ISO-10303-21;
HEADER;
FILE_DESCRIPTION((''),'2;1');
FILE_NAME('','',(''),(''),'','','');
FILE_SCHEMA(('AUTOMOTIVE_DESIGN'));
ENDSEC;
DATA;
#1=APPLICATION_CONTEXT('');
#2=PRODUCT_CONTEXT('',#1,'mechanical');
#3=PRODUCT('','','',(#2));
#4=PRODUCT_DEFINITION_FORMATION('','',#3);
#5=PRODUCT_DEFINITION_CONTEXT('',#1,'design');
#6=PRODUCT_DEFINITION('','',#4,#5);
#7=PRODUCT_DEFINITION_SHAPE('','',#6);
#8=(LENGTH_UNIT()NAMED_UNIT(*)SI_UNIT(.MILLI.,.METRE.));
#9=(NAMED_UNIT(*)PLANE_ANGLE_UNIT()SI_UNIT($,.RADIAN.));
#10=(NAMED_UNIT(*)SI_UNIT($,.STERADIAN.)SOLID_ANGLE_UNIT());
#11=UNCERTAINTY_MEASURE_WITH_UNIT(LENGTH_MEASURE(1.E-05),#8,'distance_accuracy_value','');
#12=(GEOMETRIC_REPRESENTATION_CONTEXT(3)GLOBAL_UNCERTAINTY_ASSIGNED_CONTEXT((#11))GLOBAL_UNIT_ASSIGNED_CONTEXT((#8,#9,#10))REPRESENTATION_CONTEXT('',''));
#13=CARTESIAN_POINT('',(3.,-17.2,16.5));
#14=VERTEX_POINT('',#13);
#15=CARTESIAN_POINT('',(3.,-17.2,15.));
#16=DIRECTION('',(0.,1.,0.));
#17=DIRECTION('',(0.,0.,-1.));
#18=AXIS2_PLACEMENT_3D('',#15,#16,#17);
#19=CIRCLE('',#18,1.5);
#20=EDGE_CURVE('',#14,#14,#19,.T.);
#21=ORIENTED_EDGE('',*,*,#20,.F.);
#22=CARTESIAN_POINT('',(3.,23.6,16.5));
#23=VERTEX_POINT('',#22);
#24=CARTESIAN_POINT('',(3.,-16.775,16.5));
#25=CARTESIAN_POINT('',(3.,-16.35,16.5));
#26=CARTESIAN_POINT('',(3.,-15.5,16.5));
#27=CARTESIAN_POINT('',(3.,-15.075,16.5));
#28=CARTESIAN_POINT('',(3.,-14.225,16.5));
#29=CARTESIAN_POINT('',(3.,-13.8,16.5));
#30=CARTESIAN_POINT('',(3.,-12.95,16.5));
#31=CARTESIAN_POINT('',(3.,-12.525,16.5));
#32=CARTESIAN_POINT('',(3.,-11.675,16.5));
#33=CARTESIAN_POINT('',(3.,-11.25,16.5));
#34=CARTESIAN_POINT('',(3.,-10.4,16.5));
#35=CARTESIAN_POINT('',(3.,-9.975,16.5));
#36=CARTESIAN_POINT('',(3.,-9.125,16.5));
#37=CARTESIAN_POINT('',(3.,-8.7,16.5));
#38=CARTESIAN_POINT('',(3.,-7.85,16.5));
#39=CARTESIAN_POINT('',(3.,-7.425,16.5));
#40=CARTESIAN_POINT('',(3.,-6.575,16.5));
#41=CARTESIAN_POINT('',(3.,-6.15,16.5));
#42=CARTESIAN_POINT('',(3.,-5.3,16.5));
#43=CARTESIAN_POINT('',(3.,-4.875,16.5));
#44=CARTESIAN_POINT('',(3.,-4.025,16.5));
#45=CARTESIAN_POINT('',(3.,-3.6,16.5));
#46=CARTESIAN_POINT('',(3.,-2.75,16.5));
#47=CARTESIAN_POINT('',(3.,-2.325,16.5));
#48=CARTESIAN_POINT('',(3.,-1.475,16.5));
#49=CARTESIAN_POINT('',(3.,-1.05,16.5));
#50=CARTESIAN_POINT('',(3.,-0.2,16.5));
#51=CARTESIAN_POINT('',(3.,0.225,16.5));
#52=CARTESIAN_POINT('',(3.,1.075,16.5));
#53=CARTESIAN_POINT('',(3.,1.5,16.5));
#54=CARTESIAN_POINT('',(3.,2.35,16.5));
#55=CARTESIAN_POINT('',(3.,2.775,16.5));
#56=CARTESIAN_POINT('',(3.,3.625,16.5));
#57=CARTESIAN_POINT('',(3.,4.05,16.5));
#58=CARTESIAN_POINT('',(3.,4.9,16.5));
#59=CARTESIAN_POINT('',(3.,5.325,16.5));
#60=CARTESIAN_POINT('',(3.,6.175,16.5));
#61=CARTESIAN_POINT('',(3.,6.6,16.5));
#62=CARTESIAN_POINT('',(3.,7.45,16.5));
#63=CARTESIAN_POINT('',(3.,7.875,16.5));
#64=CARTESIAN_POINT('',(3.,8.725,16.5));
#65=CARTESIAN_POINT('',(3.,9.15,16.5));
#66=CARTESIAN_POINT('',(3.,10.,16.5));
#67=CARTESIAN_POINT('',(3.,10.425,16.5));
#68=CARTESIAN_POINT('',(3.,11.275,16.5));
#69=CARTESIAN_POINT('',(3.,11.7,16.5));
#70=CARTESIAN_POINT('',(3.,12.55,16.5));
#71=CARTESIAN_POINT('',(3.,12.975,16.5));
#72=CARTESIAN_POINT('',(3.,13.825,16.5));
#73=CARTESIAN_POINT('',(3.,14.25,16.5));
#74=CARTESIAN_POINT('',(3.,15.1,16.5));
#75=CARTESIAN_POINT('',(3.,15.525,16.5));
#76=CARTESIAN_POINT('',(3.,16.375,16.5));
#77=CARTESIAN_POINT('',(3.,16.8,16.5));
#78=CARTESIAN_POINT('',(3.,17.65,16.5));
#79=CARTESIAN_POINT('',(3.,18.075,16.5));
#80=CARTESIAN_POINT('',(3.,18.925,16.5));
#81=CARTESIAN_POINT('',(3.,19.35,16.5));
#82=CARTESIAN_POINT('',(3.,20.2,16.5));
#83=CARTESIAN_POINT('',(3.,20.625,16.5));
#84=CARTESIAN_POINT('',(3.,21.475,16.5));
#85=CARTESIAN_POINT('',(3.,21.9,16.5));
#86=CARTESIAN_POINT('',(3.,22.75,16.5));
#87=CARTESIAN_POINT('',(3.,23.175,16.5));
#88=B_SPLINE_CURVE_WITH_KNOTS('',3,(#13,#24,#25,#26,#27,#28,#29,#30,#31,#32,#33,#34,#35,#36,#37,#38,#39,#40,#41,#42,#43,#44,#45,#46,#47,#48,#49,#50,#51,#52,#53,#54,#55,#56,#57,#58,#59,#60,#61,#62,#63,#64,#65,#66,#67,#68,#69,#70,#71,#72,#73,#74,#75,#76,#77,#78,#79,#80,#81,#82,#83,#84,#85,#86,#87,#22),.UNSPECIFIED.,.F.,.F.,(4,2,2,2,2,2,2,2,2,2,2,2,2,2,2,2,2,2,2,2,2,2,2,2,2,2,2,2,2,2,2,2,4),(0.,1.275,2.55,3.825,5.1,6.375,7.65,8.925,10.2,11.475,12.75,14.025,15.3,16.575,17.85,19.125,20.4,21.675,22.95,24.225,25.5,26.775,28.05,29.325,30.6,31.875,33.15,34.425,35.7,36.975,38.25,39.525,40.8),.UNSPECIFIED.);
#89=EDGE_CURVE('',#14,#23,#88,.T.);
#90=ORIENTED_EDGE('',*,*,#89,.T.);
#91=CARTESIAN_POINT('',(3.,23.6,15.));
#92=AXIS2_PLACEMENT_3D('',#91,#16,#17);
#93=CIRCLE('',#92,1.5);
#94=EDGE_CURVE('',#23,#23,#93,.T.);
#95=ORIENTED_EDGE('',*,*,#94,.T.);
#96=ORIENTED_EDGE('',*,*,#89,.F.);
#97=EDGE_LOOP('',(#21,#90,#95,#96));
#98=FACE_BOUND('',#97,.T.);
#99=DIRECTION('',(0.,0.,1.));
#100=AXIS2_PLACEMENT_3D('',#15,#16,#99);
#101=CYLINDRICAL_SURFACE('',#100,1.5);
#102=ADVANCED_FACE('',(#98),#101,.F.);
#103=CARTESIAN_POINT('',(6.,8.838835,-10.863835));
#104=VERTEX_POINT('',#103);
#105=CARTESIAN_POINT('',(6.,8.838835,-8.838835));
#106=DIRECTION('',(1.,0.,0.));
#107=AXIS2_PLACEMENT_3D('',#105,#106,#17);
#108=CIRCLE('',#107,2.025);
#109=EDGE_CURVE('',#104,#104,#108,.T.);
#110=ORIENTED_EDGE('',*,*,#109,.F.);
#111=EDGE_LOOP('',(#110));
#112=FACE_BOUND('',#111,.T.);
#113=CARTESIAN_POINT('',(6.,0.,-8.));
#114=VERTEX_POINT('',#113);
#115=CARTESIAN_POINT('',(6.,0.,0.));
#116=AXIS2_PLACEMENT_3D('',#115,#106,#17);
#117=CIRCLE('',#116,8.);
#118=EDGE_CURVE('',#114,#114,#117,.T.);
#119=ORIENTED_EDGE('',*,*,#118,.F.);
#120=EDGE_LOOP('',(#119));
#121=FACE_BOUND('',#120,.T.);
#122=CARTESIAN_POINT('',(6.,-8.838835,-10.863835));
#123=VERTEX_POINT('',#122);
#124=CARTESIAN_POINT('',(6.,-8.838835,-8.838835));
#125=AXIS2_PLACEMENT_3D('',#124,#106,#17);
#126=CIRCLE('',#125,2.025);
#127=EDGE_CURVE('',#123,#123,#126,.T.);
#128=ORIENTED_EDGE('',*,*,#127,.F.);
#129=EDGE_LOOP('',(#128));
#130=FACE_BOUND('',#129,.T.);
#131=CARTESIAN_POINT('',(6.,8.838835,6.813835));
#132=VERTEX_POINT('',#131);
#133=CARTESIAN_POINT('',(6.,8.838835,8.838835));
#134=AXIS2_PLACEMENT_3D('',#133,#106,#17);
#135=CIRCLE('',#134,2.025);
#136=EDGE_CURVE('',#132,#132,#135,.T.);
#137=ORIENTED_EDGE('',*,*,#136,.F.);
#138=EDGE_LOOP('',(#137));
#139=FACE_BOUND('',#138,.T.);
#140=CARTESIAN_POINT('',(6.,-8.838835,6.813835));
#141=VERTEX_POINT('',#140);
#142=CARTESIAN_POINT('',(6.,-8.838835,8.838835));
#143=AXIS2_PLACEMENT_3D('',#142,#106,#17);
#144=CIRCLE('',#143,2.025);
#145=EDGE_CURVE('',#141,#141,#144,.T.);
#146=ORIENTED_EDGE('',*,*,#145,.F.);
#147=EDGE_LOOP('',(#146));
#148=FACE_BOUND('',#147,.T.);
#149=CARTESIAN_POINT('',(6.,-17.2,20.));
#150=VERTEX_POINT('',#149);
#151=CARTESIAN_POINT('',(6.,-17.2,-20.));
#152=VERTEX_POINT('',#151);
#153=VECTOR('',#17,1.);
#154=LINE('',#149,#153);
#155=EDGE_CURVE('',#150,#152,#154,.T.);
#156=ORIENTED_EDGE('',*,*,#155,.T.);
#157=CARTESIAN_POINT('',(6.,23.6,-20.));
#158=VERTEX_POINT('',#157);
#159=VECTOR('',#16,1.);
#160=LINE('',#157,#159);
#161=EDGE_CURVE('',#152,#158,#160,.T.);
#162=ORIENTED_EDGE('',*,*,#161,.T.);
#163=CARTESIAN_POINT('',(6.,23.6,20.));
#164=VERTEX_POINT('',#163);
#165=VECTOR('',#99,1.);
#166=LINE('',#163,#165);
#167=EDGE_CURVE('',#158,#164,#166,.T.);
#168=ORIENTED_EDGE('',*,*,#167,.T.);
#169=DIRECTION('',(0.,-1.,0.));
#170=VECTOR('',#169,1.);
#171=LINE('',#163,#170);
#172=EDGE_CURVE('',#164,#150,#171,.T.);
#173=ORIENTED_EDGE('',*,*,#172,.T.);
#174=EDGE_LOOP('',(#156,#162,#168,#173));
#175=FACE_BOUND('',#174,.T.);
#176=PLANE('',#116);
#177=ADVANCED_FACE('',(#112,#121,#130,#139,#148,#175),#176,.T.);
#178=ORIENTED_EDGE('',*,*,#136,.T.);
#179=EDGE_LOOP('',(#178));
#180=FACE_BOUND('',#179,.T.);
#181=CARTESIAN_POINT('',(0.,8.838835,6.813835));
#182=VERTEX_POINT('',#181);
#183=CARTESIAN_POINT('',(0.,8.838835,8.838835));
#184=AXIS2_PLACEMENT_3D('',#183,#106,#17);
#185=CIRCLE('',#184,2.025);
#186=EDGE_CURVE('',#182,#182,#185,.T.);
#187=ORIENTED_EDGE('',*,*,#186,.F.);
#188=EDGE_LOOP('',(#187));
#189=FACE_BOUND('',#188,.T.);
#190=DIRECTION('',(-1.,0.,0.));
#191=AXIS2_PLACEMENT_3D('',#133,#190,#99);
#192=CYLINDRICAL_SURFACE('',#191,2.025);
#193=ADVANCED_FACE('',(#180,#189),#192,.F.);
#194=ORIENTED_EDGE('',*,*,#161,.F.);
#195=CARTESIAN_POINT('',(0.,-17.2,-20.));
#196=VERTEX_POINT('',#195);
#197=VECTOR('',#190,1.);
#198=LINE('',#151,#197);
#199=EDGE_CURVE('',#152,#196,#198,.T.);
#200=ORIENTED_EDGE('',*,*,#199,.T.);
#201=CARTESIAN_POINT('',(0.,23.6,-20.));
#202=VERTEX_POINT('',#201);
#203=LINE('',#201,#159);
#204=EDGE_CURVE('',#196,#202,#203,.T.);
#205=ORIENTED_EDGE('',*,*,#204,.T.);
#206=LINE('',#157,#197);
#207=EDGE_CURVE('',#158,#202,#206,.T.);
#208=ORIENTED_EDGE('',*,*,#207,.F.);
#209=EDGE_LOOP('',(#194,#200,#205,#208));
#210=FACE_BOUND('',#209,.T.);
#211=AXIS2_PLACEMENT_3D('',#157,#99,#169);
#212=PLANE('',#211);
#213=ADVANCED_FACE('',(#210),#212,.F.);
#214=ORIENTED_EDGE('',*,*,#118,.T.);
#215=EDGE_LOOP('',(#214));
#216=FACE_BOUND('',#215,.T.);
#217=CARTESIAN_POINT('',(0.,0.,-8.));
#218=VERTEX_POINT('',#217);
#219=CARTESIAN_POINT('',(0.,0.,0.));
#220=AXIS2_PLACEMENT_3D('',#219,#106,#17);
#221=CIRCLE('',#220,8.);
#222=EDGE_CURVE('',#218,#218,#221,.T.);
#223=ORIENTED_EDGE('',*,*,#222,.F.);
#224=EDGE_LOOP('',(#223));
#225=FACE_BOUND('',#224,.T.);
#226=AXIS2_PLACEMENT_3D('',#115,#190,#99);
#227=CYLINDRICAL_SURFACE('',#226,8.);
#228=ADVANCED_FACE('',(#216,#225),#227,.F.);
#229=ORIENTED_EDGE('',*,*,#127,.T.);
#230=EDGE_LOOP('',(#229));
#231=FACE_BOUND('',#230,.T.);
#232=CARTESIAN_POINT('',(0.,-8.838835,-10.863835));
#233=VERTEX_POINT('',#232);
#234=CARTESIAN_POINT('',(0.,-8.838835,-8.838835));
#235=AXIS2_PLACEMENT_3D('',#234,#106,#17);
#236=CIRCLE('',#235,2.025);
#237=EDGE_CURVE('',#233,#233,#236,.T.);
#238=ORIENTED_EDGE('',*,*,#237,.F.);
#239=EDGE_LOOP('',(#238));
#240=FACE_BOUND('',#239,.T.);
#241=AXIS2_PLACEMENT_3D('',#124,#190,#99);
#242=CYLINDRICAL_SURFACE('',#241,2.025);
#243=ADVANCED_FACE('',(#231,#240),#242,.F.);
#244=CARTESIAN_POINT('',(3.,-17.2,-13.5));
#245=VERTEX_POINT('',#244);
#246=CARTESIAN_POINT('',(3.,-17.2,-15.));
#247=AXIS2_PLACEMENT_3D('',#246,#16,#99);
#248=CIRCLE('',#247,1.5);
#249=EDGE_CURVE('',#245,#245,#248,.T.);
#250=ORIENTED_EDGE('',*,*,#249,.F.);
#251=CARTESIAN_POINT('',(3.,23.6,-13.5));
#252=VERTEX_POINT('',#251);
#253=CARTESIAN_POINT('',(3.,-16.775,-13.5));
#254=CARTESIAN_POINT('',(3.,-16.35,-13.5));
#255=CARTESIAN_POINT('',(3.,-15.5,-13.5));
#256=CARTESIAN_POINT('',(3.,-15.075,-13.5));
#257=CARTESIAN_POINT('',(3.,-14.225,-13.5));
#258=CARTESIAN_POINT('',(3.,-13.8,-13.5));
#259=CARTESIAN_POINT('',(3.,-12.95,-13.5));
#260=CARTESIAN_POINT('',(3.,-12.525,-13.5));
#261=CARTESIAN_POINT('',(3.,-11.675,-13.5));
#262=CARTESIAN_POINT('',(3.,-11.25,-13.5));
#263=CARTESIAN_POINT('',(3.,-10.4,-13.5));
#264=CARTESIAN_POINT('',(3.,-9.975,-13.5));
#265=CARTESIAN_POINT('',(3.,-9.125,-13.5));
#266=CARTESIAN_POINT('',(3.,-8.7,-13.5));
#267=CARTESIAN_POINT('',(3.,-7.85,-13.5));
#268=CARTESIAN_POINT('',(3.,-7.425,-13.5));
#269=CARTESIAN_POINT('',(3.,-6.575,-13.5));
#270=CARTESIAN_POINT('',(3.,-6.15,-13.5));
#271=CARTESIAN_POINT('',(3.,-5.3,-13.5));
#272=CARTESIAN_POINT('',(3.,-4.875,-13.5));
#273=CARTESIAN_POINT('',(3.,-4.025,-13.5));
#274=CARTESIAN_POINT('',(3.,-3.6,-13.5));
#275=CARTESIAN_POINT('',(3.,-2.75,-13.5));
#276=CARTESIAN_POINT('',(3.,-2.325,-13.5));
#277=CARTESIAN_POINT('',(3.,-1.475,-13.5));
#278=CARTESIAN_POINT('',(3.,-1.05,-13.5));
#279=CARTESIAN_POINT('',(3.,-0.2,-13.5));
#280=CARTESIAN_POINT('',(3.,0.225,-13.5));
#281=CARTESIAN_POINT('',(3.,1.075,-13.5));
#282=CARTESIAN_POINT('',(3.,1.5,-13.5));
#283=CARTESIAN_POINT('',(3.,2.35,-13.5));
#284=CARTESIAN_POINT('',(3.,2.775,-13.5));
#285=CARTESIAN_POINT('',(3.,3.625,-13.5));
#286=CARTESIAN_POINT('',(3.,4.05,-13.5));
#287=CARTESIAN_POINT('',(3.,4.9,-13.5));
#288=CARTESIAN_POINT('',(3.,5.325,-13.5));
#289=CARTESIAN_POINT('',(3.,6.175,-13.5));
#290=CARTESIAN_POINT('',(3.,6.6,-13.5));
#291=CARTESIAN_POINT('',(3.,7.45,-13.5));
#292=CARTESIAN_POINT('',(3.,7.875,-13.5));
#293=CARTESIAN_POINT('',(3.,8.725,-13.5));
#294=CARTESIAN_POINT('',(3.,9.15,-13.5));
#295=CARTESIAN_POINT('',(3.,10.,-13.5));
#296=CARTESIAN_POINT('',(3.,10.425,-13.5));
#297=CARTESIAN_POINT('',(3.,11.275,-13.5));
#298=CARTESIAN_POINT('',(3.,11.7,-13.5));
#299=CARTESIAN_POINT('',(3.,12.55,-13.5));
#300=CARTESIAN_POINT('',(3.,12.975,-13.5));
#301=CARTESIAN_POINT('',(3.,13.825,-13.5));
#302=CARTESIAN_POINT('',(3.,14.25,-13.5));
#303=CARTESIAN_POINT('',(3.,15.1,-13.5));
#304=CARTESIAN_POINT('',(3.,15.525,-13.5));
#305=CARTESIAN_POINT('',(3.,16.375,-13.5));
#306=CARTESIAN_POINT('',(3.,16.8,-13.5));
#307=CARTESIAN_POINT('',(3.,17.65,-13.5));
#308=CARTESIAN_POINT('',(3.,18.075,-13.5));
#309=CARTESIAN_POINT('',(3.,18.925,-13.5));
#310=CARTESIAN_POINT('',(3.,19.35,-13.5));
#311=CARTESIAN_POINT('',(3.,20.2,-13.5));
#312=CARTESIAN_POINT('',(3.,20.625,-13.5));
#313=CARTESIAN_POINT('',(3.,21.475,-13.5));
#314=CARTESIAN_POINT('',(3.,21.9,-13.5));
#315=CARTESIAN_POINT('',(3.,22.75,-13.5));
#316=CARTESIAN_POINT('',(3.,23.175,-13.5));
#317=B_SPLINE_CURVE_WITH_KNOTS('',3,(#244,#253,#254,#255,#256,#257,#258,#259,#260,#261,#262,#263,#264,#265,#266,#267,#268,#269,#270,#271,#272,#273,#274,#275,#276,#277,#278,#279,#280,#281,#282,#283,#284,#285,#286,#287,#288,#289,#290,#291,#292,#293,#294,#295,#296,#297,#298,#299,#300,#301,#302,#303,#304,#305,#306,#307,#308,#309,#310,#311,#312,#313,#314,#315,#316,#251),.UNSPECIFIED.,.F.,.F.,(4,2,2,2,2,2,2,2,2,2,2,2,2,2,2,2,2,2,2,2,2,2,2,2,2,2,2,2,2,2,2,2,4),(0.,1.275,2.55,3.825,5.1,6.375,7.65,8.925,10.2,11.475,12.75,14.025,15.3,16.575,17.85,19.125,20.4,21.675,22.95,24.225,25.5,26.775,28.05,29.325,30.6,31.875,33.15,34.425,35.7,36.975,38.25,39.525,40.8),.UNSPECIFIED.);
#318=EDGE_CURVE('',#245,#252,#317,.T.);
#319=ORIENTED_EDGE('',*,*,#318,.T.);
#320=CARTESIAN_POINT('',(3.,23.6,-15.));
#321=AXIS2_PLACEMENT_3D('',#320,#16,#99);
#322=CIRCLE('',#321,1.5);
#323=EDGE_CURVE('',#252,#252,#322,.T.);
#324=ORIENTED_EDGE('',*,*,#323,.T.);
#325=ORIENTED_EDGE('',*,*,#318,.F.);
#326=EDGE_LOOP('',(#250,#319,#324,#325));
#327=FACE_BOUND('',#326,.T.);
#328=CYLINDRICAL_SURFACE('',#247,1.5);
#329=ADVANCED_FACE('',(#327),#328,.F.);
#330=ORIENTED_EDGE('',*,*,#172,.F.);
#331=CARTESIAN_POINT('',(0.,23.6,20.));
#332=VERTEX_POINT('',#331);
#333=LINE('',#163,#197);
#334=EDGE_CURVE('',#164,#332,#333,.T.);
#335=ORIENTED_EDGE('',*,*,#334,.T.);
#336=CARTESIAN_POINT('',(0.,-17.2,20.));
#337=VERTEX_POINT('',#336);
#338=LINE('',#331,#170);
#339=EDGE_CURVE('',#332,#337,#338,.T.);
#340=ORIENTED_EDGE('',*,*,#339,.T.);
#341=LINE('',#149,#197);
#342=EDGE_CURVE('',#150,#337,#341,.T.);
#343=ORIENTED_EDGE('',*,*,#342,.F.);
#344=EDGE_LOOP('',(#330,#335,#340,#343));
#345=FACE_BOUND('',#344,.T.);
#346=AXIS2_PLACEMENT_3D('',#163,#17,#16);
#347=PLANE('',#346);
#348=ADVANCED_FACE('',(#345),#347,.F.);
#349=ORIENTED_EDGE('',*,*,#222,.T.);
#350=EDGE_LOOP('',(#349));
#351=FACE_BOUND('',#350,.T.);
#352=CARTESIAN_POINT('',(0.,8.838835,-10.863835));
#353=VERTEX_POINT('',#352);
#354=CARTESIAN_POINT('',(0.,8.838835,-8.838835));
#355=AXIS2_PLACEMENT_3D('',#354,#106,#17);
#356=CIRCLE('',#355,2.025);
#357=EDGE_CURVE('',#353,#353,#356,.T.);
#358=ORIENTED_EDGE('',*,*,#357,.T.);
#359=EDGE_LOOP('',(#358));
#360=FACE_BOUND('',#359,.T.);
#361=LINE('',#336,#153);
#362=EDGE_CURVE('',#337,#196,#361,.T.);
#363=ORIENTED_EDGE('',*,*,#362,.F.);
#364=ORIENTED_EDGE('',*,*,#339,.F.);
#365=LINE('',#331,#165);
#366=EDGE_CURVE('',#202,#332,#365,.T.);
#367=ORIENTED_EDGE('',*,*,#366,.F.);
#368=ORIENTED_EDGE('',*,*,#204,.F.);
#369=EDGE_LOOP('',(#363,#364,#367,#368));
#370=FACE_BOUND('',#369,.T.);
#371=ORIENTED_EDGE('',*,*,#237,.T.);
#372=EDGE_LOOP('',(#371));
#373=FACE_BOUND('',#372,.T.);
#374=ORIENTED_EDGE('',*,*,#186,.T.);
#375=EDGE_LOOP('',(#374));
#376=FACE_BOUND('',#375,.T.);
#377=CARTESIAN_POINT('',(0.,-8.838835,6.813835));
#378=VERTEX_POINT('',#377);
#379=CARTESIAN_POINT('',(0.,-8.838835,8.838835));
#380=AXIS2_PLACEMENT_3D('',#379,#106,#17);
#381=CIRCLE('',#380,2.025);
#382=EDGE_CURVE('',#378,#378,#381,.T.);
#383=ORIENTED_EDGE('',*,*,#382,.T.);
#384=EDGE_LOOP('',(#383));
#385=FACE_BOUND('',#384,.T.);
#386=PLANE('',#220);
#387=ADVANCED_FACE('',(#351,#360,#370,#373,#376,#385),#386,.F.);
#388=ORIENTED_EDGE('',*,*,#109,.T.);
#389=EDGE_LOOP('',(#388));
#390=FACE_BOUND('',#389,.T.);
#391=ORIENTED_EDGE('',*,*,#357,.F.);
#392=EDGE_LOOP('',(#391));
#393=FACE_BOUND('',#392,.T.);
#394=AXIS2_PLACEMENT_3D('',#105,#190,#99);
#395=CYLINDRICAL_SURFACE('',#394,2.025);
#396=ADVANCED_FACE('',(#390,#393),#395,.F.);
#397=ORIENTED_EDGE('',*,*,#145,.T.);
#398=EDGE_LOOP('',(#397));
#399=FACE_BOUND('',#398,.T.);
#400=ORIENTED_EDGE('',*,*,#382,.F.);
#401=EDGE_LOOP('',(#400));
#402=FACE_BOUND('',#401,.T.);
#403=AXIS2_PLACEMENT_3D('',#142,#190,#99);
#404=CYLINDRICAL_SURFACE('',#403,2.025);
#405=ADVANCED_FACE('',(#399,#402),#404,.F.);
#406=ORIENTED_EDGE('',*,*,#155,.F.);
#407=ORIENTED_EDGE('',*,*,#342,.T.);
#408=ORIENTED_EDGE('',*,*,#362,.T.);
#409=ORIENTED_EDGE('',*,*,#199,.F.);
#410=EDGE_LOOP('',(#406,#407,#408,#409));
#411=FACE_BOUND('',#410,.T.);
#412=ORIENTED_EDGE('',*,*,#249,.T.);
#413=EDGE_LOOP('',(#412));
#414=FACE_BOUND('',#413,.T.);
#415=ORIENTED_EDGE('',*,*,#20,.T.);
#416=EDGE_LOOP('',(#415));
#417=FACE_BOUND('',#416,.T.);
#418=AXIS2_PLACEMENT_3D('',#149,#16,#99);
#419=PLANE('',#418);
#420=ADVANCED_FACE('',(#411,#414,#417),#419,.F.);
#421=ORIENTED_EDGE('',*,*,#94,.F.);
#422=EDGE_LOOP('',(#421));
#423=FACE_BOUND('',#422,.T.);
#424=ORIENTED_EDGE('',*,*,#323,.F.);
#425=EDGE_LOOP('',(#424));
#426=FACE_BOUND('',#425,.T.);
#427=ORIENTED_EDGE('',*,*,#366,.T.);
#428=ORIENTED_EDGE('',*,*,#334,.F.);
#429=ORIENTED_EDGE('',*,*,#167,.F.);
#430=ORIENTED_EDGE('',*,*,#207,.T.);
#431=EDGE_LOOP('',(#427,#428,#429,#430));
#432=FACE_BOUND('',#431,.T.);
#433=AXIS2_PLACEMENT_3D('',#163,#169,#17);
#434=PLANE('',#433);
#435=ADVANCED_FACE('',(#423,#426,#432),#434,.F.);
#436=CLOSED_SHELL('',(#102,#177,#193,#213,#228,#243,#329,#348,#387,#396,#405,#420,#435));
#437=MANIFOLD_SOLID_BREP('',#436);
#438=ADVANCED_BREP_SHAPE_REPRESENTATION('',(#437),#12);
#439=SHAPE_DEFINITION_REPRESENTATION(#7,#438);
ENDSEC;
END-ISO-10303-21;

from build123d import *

# Parameters (mm, degrees)
SKETCH_1_W               = 40
SKETCH_1_H               = 40.8
SKETCH_1_R               = 8
SKETCH_1_R_2             = 2.025
EXTRUDE_1_DEPTH          = 6
CUT_EXTRUDE_1_DEPTH      = 32.511267826
CUT_EXTRUDE_1_DEPTH_BACK = 32.511267826
SKETCH_2_R               = 1.5


with BuildPart() as part:
    # 草图1 → 凸台-拉伸1 (new body)
    with BuildSketch(Plane(origin=(0, 0, 0), x_dir=(0, 0, -1), z_dir=(1, 0, 0))):
        with Locations((0, 3.2)):
            Rectangle(SKETCH_1_W, SKETCH_1_H)
        Circle(SKETCH_1_R, mode=Mode.SUBTRACT)
        with Locations((-8.838834765, 8.838834765)):
            Circle(SKETCH_1_R_2, mode=Mode.SUBTRACT)
        with Locations((8.838834765, 8.838834765)):
            Circle(SKETCH_1_R_2, mode=Mode.SUBTRACT)
        with Locations((8.838834765, -8.838834765)):
            Circle(SKETCH_1_R_2, mode=Mode.SUBTRACT)
        with Locations((-8.838834765, -8.838834765)):
            Circle(SKETCH_1_R_2, mode=Mode.SUBTRACT)
    extrude(amount=EXTRUDE_1_DEPTH)

    # 草图2 → 切除-拉伸1 (cut, two sides: drawn at the far end of the back side and taken through both)
    with BuildSketch(Plane(origin=(0, 0, 0), x_dir=(1, 0, 0), z_dir=(0, 1, 0)).offset(-CUT_EXTRUDE_1_DEPTH_BACK)):
        with Locations(Location((3, 15, 0), (0, 0, 270))):
            Circle(SKETCH_2_R)
        with Locations(Location((3, -15, 0), (0, 0, 270))):
            Circle(SKETCH_2_R)
    extrude(amount=CUT_EXTRUDE_1_DEPTH + CUT_EXTRUDE_1_DEPTH_BACK, mode=Mode.SUBTRACT)


solid = part.part
